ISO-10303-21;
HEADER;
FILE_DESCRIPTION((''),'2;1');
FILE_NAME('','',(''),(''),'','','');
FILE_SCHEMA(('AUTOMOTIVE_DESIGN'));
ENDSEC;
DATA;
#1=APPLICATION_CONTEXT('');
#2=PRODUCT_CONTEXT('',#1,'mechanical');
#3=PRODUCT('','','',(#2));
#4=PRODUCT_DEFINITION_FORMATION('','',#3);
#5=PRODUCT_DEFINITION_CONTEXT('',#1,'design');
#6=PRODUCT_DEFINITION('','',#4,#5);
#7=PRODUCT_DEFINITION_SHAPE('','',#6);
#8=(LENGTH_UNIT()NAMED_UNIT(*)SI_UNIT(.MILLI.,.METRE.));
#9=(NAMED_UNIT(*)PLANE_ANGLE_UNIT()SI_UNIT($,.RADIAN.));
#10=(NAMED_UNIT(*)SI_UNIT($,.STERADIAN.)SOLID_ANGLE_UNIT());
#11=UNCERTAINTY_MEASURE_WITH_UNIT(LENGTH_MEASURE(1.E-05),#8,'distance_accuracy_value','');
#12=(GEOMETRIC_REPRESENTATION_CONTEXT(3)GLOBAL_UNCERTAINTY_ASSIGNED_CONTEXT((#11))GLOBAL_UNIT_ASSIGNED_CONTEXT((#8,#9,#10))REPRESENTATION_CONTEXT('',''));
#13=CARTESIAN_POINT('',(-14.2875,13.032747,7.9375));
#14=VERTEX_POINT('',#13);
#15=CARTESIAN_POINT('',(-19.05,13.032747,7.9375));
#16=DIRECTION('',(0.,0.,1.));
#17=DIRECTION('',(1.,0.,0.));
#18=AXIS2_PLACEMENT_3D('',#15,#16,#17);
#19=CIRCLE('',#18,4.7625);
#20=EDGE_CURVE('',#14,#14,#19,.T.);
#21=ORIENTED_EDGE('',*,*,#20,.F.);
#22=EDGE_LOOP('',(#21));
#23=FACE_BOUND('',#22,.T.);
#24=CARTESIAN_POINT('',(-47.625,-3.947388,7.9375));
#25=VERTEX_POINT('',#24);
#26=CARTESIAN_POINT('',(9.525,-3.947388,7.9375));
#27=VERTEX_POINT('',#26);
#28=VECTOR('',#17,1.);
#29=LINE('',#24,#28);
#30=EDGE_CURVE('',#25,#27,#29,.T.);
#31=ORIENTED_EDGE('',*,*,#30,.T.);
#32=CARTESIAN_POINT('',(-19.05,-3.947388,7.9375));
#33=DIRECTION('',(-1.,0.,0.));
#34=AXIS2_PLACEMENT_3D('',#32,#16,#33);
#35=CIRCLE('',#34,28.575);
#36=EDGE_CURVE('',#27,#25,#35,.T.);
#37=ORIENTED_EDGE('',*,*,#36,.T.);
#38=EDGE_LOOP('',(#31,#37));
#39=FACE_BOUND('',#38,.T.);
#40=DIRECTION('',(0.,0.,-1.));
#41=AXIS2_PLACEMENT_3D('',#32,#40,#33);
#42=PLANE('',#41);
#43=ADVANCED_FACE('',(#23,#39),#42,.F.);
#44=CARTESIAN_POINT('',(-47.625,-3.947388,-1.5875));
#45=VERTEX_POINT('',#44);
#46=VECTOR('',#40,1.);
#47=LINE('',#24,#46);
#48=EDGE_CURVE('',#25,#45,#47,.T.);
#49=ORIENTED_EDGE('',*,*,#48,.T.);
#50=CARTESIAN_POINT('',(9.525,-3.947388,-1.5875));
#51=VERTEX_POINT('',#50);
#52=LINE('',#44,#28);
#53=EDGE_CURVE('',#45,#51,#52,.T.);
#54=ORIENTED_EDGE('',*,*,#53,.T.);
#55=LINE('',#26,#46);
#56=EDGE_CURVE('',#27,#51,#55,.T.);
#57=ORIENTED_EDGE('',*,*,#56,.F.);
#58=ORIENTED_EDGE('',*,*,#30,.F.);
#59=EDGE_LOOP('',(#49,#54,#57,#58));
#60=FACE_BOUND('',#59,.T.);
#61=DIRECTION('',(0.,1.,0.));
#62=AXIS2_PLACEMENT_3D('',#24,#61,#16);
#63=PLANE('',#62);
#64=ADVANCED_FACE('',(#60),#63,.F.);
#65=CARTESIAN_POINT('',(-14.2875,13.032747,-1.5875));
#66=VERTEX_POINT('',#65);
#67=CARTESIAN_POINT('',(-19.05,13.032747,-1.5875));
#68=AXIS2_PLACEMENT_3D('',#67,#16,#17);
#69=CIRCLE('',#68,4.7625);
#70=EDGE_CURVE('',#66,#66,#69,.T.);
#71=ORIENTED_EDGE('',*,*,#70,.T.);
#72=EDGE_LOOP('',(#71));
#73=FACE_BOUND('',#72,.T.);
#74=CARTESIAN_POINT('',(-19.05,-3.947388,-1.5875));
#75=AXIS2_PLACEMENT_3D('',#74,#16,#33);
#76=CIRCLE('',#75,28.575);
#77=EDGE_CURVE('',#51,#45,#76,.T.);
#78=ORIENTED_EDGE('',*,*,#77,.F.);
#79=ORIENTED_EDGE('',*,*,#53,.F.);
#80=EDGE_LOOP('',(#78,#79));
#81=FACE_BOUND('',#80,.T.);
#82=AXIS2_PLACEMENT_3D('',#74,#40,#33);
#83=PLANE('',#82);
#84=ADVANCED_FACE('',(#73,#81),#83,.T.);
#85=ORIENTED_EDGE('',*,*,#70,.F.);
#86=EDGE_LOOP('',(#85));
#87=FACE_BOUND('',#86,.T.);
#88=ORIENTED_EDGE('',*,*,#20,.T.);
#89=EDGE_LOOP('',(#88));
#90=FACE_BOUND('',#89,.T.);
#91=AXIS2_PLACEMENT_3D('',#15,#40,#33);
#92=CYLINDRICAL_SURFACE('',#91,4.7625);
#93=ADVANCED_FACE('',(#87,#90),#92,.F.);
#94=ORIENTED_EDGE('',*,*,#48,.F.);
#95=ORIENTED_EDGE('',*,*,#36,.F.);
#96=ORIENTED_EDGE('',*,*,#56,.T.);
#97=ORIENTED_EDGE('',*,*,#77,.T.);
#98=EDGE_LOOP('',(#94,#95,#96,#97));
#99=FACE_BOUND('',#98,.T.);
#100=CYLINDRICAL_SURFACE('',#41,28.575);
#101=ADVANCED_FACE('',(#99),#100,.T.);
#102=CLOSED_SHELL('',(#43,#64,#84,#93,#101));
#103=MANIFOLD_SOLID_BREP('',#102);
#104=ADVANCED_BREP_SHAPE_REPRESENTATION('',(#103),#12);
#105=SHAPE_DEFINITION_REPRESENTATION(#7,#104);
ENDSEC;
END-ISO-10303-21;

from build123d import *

# Parameters (mm, degrees)
SKETCH2_R           = 3.175
BOSS_EXTRUDE1_DEPTH = 6.35
SCALE1_SCALE        = 1.5


with BuildPart() as part:
    # Sketch2 → Boss-Extrude1 (new body)
    with BuildSketch(Plane.XY):
        with BuildLine():
            Line((-38.1, 0), (0, 0))
            ThreePointArc((0, 0), (-19.05, 19.05), (-38.1, 0))
        make_face()
        with Locations((-19.05, 11.320090227)):
            Circle(SKETCH2_R, mode=Mode.SUBTRACT)
    extrude(amount=BOSS_EXTRUDE1_DEPTH)


with BuildPart() as part_1:
    # Scale1: scaled about (-19.05, 7.894775867, 3.175)
    add(part.part.scale(SCALE1_SCALE).moved(Location((9.525, -3.947387933, -1.5875))))


solid = part_1.part
